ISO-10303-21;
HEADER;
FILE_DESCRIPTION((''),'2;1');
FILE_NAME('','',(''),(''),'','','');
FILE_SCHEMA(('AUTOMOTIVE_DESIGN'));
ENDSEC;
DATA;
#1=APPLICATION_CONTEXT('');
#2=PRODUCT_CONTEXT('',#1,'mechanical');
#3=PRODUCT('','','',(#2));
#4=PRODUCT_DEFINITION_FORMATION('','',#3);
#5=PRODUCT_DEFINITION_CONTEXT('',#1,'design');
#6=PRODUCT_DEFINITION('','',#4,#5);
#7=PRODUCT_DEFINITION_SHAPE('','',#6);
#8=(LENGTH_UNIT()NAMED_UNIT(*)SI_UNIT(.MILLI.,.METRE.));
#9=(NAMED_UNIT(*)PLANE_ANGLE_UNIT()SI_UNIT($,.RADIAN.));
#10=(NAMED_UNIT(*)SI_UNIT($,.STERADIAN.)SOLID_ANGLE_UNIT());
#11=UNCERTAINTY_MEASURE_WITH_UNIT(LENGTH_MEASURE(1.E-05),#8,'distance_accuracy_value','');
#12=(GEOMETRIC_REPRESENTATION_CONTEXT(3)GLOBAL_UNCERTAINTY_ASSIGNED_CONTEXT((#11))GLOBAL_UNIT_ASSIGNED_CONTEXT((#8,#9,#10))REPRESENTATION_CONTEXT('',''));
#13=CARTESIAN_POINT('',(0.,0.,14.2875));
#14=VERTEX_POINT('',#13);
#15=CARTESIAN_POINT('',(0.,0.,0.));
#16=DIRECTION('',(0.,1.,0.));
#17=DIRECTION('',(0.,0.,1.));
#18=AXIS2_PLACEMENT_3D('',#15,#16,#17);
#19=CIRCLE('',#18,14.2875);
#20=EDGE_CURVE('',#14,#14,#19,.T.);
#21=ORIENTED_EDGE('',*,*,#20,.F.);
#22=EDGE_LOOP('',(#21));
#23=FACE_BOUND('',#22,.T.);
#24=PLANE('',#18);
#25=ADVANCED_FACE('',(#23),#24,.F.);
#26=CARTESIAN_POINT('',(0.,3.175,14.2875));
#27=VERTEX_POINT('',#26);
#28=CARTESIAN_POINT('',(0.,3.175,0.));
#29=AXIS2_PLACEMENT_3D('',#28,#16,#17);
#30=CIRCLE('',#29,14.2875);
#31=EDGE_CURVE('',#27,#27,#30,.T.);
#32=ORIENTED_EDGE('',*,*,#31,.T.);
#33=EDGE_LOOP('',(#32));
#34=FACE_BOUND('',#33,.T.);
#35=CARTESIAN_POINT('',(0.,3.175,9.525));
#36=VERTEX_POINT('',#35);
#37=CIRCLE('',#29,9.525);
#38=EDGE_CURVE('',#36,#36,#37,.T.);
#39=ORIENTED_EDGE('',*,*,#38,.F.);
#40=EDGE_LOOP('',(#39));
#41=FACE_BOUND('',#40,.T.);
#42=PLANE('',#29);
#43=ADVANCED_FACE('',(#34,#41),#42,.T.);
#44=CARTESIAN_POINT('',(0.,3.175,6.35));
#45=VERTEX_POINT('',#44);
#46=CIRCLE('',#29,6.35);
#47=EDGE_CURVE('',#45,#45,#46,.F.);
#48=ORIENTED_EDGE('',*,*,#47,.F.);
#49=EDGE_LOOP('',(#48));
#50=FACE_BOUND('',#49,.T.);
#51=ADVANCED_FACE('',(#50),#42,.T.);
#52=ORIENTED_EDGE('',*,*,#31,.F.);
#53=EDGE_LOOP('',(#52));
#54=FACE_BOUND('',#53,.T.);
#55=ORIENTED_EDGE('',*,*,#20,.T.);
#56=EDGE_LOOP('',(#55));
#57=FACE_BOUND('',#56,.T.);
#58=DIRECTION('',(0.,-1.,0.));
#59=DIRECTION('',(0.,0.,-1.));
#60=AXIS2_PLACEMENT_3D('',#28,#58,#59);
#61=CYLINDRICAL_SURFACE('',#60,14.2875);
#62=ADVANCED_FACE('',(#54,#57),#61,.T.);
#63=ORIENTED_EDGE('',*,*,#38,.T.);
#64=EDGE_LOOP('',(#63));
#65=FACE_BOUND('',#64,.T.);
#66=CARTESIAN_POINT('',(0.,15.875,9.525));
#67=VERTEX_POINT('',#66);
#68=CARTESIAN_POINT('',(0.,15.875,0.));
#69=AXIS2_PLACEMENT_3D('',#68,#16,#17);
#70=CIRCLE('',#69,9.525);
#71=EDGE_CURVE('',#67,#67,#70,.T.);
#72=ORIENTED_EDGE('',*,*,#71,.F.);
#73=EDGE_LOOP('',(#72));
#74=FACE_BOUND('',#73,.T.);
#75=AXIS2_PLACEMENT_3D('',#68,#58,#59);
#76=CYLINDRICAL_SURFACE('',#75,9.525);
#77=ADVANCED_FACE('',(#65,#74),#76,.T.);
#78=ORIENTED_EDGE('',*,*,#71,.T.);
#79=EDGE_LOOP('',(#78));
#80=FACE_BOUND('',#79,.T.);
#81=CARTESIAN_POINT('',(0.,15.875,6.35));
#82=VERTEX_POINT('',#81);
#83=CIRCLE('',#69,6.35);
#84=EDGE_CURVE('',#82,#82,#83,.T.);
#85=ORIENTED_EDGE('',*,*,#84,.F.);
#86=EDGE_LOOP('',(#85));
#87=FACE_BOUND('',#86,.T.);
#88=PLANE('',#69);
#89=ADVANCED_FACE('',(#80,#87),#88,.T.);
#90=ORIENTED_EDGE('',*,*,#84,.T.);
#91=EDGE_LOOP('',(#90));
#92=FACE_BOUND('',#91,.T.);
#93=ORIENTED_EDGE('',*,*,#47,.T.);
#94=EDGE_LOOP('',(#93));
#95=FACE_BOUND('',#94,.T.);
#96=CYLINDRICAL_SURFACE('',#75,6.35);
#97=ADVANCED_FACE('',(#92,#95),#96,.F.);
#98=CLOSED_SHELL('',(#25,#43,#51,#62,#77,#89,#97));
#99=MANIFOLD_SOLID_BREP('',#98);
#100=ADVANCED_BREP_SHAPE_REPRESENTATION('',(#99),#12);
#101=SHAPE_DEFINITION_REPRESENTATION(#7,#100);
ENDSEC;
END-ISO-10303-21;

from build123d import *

# Parameters (mm, degrees)
SKETCH1_R           = 14.2875
BOSS_EXTRUDE1_DEPTH = 3.175
SKETCH2_R           = 9.525
SKETCH2_R_2         = 6.35
BOSS_EXTRUDE2_DEPTH = 12.7


with BuildPart() as part:
    # Sketch1 → Boss-Extrude1 (new body)
    with BuildSketch(Plane(origin=(0, 0, 0), x_dir=(1, 0, 0), z_dir=(0, 1, 0))):
        with Locations(Location((0, 0, 0), (0, 0, 270))):
            Circle(SKETCH1_R)
    extrude(amount=BOSS_EXTRUDE1_DEPTH)

    # Sketch2 → Boss-Extrude2 (add)
    with BuildSketch(Plane(origin=(0, 3.175, 0), x_dir=(1, 0, 0), z_dir=(0, 1, 0))):
        with Locations(Location((0, 0, 0), (0, 0, 270))):
            Circle(SKETCH2_R)
        with Locations(Location((0, 0, 0), (0, 0, 270))):
            Circle(SKETCH2_R_2, mode=Mode.SUBTRACT)
    extrude(amount=BOSS_EXTRUDE2_DEPTH)


solid = part.part
